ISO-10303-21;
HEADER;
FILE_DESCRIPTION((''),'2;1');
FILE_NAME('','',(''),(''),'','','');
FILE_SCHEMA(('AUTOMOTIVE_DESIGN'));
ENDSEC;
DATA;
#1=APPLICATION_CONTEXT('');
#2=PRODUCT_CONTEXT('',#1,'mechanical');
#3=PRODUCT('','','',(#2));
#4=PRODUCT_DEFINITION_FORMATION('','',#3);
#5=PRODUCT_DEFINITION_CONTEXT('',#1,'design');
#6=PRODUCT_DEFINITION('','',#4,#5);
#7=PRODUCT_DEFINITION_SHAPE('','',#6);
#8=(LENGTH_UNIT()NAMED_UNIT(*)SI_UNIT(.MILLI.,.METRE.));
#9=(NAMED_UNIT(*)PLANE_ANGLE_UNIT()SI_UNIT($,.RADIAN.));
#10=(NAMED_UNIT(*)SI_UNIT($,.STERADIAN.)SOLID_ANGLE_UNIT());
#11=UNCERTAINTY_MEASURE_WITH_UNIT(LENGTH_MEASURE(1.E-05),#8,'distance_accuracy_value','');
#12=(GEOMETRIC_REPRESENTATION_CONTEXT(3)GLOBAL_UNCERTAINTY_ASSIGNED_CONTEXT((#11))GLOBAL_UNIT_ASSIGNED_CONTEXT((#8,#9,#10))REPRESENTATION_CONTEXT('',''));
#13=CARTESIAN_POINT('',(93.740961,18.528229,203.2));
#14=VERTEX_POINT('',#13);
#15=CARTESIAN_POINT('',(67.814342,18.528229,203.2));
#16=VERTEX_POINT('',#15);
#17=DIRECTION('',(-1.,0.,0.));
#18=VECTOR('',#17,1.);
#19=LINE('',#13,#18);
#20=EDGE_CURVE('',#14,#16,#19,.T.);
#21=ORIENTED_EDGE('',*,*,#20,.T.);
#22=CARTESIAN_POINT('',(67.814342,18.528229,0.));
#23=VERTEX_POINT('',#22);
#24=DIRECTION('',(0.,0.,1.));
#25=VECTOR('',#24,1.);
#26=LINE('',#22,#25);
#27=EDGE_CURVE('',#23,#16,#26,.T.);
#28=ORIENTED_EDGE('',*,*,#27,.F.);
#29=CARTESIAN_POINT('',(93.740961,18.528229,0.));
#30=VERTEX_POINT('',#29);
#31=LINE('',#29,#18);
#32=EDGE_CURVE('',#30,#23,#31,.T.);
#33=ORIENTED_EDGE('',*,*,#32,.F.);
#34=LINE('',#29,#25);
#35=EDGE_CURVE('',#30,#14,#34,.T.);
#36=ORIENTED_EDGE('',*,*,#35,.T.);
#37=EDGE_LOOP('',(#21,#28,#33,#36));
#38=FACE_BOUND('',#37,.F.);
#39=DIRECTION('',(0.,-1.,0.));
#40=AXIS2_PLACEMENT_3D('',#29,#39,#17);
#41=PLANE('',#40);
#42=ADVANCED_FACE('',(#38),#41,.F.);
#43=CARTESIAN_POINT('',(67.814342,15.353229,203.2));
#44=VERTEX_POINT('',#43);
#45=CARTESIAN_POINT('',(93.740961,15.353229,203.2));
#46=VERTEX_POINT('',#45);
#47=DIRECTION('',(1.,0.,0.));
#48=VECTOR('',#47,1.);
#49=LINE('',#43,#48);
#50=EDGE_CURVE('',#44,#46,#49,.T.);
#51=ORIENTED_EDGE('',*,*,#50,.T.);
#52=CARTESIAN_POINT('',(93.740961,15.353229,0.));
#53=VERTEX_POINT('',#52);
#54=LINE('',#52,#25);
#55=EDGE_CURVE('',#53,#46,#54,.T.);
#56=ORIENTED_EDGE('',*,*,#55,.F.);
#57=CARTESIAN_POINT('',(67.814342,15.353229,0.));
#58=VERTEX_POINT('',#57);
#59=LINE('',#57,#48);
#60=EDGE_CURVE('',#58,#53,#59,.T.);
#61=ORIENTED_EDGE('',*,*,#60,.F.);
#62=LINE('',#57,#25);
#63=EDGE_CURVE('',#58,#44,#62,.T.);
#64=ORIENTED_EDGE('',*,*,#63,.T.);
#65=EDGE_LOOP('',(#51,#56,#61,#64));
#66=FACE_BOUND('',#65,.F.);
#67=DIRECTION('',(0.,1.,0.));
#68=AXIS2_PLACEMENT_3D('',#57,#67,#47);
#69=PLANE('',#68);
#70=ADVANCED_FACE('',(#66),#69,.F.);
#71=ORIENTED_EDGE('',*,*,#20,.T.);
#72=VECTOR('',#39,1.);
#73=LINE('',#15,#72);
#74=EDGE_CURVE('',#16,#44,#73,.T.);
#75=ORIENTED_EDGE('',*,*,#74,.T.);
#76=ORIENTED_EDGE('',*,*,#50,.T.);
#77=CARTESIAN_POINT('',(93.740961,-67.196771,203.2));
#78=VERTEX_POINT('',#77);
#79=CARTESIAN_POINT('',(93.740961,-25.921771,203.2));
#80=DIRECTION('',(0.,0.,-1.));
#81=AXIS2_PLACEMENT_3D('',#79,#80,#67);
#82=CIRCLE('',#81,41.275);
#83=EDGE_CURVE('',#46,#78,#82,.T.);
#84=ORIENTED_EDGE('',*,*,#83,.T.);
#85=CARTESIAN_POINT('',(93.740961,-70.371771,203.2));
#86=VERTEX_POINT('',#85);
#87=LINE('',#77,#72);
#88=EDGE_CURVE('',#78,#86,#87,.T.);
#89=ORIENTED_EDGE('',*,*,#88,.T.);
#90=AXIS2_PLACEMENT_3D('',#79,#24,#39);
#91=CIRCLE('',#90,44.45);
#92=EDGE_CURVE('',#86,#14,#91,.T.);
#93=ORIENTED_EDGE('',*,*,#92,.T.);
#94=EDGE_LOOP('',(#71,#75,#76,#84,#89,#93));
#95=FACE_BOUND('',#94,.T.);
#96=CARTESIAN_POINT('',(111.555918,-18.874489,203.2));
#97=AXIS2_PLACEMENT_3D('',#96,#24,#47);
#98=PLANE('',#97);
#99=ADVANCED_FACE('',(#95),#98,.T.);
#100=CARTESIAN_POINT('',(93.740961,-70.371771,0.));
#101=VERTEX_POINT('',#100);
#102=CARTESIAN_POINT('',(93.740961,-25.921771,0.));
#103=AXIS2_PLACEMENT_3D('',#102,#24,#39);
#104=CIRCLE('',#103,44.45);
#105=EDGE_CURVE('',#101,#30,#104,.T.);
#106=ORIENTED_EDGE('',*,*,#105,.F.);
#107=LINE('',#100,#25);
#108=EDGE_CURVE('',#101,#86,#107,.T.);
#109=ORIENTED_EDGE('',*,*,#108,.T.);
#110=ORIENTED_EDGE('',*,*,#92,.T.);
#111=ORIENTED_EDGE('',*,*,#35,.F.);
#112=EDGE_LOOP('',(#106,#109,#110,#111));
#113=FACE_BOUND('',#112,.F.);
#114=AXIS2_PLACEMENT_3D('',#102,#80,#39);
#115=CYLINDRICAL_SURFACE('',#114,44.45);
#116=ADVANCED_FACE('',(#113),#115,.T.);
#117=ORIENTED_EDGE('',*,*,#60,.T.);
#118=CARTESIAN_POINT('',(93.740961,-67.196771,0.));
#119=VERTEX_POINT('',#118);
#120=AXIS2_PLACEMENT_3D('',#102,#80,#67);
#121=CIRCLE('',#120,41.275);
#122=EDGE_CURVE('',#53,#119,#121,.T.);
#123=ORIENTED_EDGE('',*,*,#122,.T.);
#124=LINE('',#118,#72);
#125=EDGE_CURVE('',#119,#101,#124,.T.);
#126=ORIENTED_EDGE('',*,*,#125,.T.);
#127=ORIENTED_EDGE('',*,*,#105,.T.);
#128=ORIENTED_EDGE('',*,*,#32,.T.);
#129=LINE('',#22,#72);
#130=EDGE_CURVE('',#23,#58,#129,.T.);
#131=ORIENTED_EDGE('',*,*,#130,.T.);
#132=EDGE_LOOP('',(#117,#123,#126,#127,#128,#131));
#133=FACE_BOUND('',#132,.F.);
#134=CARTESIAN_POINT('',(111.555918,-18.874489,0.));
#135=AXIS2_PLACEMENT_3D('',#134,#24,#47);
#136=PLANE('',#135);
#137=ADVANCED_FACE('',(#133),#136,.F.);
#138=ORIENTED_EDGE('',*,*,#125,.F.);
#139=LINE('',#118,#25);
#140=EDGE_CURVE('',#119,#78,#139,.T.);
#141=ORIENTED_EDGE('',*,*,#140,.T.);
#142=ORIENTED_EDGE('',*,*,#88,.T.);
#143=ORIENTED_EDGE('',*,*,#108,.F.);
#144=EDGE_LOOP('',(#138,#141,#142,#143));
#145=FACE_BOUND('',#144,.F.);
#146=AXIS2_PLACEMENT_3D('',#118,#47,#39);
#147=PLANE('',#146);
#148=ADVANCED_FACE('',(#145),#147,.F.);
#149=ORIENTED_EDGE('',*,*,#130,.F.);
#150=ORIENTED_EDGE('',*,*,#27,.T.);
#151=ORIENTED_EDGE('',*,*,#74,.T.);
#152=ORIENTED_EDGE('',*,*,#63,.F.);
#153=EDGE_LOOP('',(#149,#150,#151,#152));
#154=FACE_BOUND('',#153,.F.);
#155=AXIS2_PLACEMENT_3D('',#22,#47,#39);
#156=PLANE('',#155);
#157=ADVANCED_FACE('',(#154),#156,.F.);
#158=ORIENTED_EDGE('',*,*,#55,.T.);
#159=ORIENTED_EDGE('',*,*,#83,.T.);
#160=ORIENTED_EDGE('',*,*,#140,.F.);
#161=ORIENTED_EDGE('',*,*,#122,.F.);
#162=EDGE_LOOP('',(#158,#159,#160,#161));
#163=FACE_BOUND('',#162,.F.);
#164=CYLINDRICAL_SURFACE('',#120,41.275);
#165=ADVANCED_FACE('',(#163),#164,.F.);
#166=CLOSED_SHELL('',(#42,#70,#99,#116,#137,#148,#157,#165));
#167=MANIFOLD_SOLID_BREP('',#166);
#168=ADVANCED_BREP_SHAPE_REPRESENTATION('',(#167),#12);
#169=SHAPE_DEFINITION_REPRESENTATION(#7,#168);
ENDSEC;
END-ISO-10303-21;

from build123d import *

# Parameters (mm, degrees)
F1_DEPTH = 203.2


with BuildPart() as f1:
    # F0 (on Top) → F1 (new body)
    with BuildSketch(Plane.XY):
        with BuildLine():
            Line((67.814342, 15.353229), (93.740961, 15.353229))
            ThreePointArc((93.740961, 15.353229), (135.015961, -25.921771), (93.740961, -67.196771))
            Line((93.740961, -67.196771), (93.740961, -70.371771))
            ThreePointArc((93.740961, -70.371771), (138.190961, -25.921771), (93.740961, 18.528229))
            Line((93.740961, 18.528229), (67.814342, 18.528229))
            Line((67.814342, 18.528229), (67.814342, 15.353229))
        make_face()
    extrude(amount=F1_DEPTH)


solid = f1.part
